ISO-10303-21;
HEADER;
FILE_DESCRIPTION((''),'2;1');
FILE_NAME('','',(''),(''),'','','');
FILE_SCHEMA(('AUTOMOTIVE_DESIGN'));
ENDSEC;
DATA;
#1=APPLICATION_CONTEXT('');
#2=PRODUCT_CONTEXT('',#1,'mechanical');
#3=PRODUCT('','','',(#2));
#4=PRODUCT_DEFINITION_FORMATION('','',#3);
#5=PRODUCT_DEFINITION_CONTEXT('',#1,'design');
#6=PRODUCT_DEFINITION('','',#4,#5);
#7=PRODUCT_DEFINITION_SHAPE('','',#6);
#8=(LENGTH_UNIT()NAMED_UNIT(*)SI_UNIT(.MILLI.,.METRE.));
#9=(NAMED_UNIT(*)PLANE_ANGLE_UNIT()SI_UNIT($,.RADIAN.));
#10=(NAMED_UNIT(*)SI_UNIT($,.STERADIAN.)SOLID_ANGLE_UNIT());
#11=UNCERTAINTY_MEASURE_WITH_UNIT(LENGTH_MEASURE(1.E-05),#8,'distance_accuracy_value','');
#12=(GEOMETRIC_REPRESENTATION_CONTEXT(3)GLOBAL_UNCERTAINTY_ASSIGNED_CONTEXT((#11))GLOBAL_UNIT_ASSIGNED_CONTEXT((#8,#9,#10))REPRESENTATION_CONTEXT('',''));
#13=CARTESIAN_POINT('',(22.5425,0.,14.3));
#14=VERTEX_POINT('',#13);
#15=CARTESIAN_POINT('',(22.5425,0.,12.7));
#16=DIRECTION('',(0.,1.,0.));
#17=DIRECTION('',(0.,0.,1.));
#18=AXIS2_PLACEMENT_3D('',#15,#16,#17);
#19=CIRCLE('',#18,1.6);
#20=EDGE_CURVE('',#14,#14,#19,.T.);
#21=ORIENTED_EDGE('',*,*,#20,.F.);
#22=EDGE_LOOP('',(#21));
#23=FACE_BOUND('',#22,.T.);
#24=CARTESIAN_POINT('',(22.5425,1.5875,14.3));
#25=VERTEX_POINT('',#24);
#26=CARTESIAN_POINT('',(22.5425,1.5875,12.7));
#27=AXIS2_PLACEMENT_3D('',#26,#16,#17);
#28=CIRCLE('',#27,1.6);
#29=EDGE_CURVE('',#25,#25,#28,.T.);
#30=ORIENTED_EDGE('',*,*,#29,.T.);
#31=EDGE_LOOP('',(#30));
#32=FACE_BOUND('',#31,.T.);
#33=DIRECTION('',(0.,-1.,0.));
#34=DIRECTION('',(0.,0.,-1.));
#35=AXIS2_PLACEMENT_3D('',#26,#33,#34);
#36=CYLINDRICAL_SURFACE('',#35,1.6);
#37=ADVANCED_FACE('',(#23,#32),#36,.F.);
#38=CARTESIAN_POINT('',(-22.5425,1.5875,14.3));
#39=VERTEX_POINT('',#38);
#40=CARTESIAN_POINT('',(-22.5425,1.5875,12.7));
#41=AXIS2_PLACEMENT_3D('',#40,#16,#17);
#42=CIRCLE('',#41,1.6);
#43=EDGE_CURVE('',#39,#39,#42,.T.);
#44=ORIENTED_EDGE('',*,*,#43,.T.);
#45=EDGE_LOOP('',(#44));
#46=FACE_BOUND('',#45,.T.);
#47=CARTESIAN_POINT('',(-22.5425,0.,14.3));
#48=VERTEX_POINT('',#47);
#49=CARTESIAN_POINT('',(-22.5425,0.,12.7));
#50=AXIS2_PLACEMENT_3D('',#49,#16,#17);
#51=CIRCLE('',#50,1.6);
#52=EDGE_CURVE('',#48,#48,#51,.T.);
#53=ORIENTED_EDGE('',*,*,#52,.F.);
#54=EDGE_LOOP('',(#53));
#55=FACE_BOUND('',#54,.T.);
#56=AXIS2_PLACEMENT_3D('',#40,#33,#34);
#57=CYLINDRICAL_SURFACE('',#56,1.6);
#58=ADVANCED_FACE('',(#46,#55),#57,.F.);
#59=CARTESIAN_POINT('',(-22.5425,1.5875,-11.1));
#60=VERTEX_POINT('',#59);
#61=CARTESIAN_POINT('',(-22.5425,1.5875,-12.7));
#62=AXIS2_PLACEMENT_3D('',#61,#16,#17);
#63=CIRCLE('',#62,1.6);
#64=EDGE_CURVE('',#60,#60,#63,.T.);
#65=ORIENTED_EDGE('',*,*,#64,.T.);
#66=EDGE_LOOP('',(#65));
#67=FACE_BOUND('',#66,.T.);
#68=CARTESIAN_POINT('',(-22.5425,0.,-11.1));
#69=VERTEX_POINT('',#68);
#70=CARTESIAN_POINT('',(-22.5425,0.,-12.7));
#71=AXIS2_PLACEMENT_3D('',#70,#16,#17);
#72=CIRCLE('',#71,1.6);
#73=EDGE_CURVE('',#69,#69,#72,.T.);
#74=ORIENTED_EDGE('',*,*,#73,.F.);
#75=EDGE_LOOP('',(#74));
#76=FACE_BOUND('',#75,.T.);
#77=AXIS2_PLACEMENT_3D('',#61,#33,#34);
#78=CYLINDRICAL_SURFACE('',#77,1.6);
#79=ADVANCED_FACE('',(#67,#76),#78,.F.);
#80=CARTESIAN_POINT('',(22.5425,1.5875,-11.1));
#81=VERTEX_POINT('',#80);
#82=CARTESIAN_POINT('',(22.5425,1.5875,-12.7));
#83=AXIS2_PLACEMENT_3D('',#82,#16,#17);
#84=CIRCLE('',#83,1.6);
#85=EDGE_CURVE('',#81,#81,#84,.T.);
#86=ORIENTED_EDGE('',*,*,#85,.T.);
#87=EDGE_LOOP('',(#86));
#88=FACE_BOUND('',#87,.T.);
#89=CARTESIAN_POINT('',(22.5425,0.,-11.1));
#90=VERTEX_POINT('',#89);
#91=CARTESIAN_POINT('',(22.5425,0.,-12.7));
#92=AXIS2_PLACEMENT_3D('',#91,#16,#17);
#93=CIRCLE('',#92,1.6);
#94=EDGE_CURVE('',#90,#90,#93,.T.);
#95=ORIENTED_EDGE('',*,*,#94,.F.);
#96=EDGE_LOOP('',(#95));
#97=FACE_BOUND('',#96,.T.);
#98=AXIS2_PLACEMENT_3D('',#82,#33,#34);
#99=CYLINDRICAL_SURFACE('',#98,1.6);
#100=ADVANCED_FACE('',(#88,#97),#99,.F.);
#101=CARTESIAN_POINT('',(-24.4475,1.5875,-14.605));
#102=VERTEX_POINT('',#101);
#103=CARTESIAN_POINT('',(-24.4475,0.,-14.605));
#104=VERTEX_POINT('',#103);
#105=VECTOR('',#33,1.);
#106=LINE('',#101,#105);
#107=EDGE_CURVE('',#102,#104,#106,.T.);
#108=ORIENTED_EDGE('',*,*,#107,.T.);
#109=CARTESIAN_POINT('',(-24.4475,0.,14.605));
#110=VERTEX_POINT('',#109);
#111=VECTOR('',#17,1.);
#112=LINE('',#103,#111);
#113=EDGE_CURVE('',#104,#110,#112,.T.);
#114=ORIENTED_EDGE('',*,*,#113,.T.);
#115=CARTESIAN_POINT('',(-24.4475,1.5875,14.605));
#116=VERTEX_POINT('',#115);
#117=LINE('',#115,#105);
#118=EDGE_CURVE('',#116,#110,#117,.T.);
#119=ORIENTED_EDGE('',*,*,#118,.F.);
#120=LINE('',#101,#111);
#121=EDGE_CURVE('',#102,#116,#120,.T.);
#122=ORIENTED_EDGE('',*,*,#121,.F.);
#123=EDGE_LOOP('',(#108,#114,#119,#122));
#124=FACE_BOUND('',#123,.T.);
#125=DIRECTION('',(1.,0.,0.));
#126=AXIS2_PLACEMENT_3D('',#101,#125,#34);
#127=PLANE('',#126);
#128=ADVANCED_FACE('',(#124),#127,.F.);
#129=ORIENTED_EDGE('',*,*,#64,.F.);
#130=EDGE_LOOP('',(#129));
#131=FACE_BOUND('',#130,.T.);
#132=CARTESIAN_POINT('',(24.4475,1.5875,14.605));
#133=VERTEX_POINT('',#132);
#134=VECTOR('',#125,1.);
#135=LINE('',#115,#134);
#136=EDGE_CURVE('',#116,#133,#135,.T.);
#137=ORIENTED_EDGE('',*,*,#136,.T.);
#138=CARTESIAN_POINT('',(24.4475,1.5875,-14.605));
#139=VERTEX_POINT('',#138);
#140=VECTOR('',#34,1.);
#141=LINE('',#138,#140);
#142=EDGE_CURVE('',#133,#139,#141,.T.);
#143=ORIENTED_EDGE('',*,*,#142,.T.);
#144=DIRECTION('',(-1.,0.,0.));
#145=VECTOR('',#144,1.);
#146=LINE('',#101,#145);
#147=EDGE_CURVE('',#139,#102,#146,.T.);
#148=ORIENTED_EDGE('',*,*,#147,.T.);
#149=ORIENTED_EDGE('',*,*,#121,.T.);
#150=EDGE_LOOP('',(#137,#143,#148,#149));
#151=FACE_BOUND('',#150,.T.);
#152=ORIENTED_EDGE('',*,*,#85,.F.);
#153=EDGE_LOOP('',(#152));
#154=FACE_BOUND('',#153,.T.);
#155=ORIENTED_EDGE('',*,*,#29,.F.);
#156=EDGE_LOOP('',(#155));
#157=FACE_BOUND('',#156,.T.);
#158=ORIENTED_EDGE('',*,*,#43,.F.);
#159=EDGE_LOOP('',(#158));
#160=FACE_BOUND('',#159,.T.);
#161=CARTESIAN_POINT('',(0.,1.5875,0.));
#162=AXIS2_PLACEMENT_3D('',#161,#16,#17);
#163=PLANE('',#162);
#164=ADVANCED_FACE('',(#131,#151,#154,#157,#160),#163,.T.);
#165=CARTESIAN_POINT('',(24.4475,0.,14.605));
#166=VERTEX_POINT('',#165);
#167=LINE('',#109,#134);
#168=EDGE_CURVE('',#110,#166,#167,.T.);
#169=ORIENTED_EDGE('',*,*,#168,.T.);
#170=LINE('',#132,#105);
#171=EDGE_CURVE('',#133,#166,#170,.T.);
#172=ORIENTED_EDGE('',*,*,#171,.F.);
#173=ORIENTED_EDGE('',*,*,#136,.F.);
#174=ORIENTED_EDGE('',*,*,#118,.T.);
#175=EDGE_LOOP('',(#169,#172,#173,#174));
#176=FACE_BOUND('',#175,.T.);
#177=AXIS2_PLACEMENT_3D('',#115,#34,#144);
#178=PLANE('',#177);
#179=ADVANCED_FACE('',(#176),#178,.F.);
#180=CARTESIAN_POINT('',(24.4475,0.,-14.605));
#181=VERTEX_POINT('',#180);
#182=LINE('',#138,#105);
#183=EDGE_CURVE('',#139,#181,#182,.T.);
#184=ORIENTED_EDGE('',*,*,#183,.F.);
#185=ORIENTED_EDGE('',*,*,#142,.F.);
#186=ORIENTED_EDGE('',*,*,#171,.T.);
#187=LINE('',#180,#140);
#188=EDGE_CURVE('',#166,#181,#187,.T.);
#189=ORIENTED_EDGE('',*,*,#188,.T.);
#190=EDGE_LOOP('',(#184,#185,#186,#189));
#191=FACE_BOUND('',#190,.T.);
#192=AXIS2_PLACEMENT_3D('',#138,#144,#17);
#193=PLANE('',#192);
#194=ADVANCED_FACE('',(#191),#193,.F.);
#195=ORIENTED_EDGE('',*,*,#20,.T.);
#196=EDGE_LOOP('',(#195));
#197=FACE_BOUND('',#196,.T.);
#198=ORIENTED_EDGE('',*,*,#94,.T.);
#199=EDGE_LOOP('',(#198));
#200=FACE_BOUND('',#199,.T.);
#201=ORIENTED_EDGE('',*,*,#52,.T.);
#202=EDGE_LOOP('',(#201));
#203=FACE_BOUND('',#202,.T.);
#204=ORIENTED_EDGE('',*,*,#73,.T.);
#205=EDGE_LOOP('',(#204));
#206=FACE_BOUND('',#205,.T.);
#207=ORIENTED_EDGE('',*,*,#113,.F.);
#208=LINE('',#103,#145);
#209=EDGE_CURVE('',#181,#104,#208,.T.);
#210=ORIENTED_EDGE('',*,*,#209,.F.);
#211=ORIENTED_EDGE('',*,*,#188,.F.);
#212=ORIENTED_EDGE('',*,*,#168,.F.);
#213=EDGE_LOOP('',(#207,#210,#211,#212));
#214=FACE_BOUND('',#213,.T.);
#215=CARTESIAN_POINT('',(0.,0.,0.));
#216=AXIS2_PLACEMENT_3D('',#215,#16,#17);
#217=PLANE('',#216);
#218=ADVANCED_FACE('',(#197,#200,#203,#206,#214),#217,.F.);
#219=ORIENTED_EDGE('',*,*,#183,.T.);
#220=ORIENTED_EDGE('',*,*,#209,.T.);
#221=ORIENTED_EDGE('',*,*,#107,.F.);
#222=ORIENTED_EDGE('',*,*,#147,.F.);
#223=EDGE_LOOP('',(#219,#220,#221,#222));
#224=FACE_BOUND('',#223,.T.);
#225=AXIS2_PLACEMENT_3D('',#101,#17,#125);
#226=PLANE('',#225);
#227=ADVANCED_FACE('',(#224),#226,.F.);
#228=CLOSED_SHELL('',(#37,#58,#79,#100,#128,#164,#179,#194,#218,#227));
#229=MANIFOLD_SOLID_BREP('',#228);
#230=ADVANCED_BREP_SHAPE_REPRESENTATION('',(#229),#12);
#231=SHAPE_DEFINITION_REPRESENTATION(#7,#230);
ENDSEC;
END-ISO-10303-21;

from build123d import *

# Parameters (mm, degrees)
SKETCH1_W           = 48.895
SKETCH1_H           = 29.21
SKETCH1_R           = 1.599999975
BOSS_EXTRUDE1_DEPTH = 1.5875


with BuildPart() as part:
    # Sketch1 → Boss-Extrude1 (new body)
    with BuildSketch(Plane(origin=(0, 0, 0), x_dir=(1, 0, 0), z_dir=(0, 1, 0))):
        Rectangle(SKETCH1_W, SKETCH1_H)
        with Locations((-22.5425, 12.7)):
            Circle(SKETCH1_R, mode=Mode.SUBTRACT)
        with Locations((-22.5425, -12.7)):
            Circle(SKETCH1_R, mode=Mode.SUBTRACT)
        with Locations((22.5425, -12.7)):
            Circle(SKETCH1_R, mode=Mode.SUBTRACT)
        with Locations((22.5425, 12.7)):
            Circle(SKETCH1_R, mode=Mode.SUBTRACT)
    extrude(amount=BOSS_EXTRUDE1_DEPTH)


solid = part.part
